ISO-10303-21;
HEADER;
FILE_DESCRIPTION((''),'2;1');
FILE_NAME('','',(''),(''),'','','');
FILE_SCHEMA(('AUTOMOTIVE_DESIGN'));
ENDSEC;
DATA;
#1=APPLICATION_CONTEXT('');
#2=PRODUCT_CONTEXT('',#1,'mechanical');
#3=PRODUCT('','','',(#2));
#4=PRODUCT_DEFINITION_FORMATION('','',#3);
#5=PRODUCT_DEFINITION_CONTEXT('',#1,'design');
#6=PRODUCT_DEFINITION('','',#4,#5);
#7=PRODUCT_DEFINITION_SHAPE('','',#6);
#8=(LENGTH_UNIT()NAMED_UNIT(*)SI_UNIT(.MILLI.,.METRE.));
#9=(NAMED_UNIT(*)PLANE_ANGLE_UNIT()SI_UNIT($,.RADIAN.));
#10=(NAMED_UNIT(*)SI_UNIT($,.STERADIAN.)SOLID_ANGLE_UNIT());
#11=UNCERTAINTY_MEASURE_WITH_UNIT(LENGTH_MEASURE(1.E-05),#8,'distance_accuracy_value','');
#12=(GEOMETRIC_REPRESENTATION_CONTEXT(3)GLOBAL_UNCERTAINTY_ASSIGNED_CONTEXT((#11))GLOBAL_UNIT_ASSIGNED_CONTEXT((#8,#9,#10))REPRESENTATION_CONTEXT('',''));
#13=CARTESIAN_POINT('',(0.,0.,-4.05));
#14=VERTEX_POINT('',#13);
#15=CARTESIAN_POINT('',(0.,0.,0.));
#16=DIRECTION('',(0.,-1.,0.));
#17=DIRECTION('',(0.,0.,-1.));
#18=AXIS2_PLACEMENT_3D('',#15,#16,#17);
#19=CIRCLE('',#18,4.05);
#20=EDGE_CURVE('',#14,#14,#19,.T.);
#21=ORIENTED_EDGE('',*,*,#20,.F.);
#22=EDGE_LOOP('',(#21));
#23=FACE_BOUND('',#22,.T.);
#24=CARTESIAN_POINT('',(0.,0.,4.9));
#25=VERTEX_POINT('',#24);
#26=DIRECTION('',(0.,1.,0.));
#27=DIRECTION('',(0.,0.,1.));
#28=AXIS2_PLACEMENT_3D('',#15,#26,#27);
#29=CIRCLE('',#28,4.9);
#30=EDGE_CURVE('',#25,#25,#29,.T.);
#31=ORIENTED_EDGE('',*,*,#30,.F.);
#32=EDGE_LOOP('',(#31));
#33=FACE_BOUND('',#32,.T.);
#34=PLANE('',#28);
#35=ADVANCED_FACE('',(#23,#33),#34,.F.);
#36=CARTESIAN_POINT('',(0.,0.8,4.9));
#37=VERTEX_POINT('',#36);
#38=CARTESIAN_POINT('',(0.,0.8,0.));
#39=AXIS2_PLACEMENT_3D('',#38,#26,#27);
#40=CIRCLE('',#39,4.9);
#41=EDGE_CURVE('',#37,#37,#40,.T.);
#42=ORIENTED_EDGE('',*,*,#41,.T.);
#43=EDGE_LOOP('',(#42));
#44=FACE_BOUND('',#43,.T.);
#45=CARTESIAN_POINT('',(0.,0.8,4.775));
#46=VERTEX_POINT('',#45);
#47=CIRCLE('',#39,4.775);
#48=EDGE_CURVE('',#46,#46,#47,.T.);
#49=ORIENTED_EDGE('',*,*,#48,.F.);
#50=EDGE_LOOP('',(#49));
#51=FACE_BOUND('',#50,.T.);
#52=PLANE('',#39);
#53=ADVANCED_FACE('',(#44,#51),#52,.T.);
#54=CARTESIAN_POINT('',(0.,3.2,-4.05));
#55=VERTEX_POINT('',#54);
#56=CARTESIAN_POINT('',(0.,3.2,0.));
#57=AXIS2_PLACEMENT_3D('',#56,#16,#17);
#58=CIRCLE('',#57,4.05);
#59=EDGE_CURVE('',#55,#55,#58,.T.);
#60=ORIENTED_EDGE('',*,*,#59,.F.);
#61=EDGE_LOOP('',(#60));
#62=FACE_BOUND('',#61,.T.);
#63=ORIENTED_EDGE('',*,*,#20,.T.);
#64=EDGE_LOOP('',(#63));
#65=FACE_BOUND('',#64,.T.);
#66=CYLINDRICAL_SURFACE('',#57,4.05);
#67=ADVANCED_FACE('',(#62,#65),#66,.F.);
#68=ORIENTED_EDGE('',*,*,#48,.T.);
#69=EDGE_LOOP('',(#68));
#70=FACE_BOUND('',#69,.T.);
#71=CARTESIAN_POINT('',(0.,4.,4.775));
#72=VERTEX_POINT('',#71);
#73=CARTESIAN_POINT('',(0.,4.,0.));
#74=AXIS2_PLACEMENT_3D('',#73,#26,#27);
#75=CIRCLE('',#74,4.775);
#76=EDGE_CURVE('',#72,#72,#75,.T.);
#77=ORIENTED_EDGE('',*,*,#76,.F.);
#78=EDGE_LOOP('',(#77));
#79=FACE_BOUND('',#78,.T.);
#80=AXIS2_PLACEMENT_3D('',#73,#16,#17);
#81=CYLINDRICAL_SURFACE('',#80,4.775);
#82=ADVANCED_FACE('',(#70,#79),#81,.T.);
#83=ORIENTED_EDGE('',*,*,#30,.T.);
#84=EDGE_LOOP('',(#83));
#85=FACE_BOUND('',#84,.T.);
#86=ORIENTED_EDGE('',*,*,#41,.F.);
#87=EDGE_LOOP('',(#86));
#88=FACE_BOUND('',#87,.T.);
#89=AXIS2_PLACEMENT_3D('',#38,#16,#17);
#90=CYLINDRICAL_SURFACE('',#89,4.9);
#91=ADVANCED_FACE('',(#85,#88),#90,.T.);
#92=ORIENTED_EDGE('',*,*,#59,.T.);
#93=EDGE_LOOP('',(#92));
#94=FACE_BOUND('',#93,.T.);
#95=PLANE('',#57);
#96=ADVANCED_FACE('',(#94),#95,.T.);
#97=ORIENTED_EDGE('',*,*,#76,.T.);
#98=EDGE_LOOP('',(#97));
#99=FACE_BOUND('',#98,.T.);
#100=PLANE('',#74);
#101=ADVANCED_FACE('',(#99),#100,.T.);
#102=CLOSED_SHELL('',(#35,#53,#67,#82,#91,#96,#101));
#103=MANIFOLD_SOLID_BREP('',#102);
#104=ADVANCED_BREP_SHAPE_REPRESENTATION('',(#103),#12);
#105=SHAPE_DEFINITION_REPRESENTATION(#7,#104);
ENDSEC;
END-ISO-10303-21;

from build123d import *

# Parameters (mm, degrees)
SKETCH1_R           = 4.9
BOSS_EXTRUDE1_DEPTH = 0.8
SKETCH2_R           = 4.775
BOSS_EXTRUDE2_DEPTH = 3.2
SKETCH3_R           = 4.05
CUT_EXTRUDE1_DEPTH  = 3.2


with BuildPart() as part:
    # Sketch1 → Boss-Extrude1 (new body)
    with BuildSketch(Plane(origin=(0, 0, 0), x_dir=(1, 0, 0), z_dir=(0, 1, 0))):
        Circle(SKETCH1_R)
    extrude(amount=BOSS_EXTRUDE1_DEPTH)

    # Sketch2 → Boss-Extrude2 (add)
    with BuildSketch(Plane(origin=(0, 0.8, 0), x_dir=(1, 0, 0), z_dir=(0, 1, 0))):
        Circle(SKETCH2_R)
    extrude(amount=BOSS_EXTRUDE2_DEPTH)

    # Sketch3 → Cut-Extrude1 (cut)
    with BuildSketch(Plane(origin=(0, 0, 0), x_dir=(-1, 0, 0), z_dir=(0, -1, 0))):
        Circle(SKETCH3_R)
    extrude(amount=-CUT_EXTRUDE1_DEPTH, mode=Mode.SUBTRACT)


solid = part.part
